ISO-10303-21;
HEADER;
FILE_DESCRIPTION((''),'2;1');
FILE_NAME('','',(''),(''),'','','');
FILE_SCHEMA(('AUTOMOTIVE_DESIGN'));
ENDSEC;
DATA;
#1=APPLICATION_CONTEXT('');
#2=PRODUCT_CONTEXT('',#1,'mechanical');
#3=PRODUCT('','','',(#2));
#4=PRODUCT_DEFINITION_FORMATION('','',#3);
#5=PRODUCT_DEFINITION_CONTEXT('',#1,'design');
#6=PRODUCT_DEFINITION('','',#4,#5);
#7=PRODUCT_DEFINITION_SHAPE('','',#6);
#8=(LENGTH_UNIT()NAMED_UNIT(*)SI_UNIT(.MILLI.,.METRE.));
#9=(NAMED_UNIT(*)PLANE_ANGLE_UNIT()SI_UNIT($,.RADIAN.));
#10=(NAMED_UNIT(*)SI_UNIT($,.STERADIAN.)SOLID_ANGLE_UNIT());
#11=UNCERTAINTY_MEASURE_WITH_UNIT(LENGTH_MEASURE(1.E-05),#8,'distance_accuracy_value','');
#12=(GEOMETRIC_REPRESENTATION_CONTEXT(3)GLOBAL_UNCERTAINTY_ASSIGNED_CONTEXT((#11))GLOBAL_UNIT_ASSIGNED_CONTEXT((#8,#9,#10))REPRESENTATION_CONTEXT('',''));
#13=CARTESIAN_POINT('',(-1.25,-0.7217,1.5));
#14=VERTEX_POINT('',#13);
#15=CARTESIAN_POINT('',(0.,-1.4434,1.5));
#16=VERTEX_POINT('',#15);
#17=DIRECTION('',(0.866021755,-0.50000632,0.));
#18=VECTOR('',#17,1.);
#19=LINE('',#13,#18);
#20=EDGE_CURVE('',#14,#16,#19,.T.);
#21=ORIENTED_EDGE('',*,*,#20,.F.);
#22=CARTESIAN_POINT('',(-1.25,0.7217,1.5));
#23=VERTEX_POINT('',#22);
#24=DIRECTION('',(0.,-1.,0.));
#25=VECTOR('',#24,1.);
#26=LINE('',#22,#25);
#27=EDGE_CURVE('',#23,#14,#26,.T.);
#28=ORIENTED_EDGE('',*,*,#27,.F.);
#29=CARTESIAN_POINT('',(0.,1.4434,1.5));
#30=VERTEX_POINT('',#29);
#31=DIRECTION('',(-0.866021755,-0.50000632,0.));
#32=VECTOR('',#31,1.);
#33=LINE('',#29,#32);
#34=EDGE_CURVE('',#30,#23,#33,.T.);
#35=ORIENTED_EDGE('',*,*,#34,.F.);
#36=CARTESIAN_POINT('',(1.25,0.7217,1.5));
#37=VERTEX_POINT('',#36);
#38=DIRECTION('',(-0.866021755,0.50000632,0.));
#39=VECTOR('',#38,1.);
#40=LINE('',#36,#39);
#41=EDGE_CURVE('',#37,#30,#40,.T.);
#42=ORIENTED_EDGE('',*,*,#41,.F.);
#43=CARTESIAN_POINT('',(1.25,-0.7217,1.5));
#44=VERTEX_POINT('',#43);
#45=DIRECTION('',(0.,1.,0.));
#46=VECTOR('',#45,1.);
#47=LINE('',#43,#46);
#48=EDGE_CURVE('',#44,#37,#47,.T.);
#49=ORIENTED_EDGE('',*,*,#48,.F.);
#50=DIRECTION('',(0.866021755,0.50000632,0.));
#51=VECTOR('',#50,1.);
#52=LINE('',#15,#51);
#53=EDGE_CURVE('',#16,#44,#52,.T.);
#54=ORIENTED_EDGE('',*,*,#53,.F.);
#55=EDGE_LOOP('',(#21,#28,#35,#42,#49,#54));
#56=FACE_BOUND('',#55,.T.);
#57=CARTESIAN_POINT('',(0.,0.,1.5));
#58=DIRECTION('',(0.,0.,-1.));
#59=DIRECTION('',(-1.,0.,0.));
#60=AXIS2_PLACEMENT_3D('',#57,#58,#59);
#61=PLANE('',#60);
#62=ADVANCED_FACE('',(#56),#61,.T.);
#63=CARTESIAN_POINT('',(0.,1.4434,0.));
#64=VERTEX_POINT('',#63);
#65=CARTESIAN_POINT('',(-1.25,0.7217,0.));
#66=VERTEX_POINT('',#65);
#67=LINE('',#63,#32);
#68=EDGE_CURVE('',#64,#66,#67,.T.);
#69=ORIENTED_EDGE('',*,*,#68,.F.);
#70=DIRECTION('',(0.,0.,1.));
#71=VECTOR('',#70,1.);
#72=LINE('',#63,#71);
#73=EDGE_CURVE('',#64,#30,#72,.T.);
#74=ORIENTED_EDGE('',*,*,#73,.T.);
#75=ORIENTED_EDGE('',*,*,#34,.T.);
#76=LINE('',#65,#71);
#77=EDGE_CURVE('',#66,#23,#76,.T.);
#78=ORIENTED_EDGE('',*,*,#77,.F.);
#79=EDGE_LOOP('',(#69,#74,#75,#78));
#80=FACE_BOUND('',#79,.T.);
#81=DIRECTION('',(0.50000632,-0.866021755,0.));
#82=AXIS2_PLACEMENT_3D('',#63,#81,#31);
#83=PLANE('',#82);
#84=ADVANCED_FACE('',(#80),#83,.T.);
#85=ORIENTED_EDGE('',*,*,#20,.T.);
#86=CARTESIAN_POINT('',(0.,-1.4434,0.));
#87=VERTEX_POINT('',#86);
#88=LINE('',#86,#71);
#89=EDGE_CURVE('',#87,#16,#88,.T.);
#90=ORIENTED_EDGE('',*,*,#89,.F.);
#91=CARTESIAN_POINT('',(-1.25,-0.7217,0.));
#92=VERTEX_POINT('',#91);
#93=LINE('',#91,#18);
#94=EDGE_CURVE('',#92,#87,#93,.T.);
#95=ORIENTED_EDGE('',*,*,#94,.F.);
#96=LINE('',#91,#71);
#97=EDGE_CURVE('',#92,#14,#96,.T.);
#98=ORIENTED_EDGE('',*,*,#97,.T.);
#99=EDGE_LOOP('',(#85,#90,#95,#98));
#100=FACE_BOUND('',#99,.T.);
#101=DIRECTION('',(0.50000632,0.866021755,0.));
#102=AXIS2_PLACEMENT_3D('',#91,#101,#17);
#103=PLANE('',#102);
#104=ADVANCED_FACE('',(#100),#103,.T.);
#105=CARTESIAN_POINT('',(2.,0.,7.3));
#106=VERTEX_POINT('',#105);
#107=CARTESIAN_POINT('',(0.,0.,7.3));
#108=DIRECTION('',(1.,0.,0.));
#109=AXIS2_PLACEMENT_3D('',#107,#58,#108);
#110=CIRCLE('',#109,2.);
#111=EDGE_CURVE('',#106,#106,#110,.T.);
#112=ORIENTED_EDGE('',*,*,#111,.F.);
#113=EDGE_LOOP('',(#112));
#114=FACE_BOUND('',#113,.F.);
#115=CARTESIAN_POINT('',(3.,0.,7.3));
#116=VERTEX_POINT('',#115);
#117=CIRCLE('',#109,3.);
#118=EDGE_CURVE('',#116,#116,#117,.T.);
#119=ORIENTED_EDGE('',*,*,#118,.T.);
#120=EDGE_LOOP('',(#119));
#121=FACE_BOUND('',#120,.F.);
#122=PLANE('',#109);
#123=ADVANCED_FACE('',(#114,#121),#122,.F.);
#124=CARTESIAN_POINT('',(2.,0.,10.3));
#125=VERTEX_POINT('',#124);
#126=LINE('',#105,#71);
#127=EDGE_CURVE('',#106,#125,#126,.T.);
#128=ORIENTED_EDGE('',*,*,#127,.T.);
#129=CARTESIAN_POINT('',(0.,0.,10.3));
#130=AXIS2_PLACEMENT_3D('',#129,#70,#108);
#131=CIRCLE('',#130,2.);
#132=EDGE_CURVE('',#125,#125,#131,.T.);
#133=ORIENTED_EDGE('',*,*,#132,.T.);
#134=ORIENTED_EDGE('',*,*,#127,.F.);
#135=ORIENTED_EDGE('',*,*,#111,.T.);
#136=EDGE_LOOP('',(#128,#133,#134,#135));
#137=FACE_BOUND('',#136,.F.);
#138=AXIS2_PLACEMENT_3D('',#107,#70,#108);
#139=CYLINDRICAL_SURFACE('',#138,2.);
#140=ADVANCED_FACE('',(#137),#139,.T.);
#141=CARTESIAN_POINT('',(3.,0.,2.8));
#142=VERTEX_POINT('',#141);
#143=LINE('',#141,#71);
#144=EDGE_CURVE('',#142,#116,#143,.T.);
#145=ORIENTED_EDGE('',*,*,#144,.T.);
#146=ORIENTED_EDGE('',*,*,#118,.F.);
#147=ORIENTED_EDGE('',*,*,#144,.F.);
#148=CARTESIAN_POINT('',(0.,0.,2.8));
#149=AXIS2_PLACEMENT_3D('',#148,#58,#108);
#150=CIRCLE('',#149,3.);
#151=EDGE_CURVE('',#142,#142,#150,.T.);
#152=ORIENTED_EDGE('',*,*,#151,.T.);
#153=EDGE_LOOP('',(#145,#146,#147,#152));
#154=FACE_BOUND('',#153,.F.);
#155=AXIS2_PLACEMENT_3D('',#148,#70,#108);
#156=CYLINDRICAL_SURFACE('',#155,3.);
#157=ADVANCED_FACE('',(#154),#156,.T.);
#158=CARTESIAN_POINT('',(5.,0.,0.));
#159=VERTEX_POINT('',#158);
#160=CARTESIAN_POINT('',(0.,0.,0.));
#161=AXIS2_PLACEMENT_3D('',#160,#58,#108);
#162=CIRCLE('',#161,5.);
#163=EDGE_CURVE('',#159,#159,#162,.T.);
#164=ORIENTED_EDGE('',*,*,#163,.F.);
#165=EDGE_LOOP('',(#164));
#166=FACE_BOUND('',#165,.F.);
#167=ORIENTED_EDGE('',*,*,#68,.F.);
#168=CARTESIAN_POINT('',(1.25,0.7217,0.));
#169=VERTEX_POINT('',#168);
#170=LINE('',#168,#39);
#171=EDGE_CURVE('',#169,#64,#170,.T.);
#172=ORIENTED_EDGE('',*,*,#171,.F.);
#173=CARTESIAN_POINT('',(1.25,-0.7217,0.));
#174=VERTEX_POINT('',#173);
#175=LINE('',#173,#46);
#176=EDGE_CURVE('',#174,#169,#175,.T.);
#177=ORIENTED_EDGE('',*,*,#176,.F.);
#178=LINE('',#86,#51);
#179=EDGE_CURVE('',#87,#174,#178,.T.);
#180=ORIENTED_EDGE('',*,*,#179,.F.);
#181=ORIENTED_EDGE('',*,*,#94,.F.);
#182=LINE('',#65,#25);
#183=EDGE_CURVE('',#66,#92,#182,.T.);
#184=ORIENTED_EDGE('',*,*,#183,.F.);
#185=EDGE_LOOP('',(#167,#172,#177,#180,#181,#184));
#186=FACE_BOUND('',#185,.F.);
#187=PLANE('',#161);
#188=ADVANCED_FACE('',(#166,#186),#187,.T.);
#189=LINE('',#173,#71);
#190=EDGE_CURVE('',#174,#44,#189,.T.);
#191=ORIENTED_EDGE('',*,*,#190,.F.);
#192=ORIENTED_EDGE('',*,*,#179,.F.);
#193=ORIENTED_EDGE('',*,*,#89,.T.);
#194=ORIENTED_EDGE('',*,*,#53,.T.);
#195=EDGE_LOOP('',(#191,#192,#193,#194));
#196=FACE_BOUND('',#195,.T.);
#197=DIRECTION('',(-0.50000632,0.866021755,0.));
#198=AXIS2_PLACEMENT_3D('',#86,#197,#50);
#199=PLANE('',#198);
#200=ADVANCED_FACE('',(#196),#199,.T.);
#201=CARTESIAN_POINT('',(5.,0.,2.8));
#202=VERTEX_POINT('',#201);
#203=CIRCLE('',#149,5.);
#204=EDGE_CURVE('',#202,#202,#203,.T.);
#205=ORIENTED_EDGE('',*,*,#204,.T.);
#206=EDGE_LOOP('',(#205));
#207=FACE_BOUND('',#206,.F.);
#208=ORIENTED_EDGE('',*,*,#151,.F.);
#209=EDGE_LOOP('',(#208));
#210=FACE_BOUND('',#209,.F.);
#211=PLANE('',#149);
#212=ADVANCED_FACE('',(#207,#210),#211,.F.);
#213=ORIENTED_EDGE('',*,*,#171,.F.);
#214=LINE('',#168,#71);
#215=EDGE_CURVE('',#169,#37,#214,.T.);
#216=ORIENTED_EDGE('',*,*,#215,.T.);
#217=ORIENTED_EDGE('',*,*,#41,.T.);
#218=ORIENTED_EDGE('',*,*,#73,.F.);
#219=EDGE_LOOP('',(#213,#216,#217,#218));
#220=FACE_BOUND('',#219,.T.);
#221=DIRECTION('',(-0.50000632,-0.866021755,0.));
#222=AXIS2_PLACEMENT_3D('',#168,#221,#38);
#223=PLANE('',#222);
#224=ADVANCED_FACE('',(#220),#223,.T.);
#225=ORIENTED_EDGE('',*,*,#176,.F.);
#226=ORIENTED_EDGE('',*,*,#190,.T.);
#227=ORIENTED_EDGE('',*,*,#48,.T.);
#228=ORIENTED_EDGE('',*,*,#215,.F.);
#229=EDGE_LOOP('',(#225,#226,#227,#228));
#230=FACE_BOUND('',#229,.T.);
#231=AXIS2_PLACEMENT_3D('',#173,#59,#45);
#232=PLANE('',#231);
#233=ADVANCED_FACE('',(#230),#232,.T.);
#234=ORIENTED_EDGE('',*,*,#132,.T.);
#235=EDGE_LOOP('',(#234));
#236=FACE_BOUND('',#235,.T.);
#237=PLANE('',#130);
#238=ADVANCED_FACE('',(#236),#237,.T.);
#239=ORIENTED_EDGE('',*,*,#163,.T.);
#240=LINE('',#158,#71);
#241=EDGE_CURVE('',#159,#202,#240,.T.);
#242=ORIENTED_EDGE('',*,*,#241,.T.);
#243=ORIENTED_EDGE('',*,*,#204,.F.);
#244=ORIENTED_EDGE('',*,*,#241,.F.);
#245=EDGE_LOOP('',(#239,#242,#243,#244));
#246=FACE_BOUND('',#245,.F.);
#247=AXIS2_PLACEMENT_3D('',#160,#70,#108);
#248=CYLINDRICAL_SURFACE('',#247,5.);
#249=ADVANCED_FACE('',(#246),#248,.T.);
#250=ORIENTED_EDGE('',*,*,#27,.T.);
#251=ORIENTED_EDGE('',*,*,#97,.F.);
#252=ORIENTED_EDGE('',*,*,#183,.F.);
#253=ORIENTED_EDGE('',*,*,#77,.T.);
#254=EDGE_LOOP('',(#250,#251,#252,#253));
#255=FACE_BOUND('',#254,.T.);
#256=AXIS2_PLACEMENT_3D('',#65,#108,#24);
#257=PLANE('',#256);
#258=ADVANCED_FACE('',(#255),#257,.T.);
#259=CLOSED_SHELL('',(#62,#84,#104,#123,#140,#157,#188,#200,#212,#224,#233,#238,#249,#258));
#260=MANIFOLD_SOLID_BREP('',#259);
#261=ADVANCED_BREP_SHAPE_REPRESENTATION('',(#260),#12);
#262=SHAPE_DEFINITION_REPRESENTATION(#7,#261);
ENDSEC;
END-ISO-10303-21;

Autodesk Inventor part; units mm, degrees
ref_plane "YZ Plane" through (0, 0, 0) normal (1, 0, 0) x (0, 1, 0)
ref_plane "XZ Plane" through (0, 0, 0) normal (0, 1, 0) x (-1, 0, 0)
ref_plane "XY Plane" through (0, 0, 0) normal (0, 0, 1) x (1, 0, 0)
sketch "スケッチ1" plane through (0, 0, 0) normal (0, 1, 0) x (-1, 0, 0)
  line L0 (0, 0) -> (-5, 0)
  line L1 (-5, 0) -> (-5, 2.8)
  line L2 (-5, 2.8) -> (-3, 2.8)
  line L3 (-3, 2.8) -> (-3, 7.3)
  line L4 (-3, 7.3) -> (-2, 7.3)
  line L5 (-2, 7.3) -> (-2, 11.87)
  line L6 (-1.57, 12.3) -> (0, 12.3)
  line L7 (0, 12.3) -> (0, 0)
  line L8 (-1.57, 12.3) -> (-2, 11.87)
  point P0 (-2, 12.3)
  dimension "d0" = 5
  dimension "d1" = 4.5
  dimension "d2" = 2.8
  dimension "d3" = 0.43
  dimension "d4" = 0.43
  dimension "d5" = 4
  dimension "d6" = 10
  dimension "d7" = 6
revolve "回転1" add sketch "スケッチ1" angle 360 about axis through (0, 0, 12.3) along (0, 0, -1)
thread "ねじ1" size "M4x0.7" class "6g" standard "ANSI Metric M Profile" length 7.57 offset 1.2
sketch "スケッチ2" plane through (0, 0, 0) normal (0, 0, -1) x (-1, 0, 0)
  line L0 (0, -1.4434) -> (-1.25, -0.7217)
  line L1 (-1.25, -0.7217) -> (-1.25, 0.7217)
  line L2 (-1.25, 0.7217) -> (0, 1.4434)
  line L3 (0, 1.4434) -> (1.25, 0.7217)
  line L4 (1.25, 0.7217) -> (1.25, -0.7217)
  line L5 (1.25, -0.7217) -> (0, -1.4434)
  point P0 (0, 0)
  point P1 (0, 0)
  dimension "d11" = 2.5
extrude "押し出し1" cut sketch "スケッチ2" against normal blind 1.5
sketch "スケッチ3" plane through (0, 0, 12.3) normal (0, 0, 1) x (1, 0, 0)
  circle A0 centre (0, 0) radius 2 projected
extrude "押し出し2" cut sketch "スケッチ3" against normal blind 2
equation "\"d4\" = d3"
properties part number "DBTS4-4.5-5-DHC-LTC_mod" material "ステンレス鋼 AISI 304"
